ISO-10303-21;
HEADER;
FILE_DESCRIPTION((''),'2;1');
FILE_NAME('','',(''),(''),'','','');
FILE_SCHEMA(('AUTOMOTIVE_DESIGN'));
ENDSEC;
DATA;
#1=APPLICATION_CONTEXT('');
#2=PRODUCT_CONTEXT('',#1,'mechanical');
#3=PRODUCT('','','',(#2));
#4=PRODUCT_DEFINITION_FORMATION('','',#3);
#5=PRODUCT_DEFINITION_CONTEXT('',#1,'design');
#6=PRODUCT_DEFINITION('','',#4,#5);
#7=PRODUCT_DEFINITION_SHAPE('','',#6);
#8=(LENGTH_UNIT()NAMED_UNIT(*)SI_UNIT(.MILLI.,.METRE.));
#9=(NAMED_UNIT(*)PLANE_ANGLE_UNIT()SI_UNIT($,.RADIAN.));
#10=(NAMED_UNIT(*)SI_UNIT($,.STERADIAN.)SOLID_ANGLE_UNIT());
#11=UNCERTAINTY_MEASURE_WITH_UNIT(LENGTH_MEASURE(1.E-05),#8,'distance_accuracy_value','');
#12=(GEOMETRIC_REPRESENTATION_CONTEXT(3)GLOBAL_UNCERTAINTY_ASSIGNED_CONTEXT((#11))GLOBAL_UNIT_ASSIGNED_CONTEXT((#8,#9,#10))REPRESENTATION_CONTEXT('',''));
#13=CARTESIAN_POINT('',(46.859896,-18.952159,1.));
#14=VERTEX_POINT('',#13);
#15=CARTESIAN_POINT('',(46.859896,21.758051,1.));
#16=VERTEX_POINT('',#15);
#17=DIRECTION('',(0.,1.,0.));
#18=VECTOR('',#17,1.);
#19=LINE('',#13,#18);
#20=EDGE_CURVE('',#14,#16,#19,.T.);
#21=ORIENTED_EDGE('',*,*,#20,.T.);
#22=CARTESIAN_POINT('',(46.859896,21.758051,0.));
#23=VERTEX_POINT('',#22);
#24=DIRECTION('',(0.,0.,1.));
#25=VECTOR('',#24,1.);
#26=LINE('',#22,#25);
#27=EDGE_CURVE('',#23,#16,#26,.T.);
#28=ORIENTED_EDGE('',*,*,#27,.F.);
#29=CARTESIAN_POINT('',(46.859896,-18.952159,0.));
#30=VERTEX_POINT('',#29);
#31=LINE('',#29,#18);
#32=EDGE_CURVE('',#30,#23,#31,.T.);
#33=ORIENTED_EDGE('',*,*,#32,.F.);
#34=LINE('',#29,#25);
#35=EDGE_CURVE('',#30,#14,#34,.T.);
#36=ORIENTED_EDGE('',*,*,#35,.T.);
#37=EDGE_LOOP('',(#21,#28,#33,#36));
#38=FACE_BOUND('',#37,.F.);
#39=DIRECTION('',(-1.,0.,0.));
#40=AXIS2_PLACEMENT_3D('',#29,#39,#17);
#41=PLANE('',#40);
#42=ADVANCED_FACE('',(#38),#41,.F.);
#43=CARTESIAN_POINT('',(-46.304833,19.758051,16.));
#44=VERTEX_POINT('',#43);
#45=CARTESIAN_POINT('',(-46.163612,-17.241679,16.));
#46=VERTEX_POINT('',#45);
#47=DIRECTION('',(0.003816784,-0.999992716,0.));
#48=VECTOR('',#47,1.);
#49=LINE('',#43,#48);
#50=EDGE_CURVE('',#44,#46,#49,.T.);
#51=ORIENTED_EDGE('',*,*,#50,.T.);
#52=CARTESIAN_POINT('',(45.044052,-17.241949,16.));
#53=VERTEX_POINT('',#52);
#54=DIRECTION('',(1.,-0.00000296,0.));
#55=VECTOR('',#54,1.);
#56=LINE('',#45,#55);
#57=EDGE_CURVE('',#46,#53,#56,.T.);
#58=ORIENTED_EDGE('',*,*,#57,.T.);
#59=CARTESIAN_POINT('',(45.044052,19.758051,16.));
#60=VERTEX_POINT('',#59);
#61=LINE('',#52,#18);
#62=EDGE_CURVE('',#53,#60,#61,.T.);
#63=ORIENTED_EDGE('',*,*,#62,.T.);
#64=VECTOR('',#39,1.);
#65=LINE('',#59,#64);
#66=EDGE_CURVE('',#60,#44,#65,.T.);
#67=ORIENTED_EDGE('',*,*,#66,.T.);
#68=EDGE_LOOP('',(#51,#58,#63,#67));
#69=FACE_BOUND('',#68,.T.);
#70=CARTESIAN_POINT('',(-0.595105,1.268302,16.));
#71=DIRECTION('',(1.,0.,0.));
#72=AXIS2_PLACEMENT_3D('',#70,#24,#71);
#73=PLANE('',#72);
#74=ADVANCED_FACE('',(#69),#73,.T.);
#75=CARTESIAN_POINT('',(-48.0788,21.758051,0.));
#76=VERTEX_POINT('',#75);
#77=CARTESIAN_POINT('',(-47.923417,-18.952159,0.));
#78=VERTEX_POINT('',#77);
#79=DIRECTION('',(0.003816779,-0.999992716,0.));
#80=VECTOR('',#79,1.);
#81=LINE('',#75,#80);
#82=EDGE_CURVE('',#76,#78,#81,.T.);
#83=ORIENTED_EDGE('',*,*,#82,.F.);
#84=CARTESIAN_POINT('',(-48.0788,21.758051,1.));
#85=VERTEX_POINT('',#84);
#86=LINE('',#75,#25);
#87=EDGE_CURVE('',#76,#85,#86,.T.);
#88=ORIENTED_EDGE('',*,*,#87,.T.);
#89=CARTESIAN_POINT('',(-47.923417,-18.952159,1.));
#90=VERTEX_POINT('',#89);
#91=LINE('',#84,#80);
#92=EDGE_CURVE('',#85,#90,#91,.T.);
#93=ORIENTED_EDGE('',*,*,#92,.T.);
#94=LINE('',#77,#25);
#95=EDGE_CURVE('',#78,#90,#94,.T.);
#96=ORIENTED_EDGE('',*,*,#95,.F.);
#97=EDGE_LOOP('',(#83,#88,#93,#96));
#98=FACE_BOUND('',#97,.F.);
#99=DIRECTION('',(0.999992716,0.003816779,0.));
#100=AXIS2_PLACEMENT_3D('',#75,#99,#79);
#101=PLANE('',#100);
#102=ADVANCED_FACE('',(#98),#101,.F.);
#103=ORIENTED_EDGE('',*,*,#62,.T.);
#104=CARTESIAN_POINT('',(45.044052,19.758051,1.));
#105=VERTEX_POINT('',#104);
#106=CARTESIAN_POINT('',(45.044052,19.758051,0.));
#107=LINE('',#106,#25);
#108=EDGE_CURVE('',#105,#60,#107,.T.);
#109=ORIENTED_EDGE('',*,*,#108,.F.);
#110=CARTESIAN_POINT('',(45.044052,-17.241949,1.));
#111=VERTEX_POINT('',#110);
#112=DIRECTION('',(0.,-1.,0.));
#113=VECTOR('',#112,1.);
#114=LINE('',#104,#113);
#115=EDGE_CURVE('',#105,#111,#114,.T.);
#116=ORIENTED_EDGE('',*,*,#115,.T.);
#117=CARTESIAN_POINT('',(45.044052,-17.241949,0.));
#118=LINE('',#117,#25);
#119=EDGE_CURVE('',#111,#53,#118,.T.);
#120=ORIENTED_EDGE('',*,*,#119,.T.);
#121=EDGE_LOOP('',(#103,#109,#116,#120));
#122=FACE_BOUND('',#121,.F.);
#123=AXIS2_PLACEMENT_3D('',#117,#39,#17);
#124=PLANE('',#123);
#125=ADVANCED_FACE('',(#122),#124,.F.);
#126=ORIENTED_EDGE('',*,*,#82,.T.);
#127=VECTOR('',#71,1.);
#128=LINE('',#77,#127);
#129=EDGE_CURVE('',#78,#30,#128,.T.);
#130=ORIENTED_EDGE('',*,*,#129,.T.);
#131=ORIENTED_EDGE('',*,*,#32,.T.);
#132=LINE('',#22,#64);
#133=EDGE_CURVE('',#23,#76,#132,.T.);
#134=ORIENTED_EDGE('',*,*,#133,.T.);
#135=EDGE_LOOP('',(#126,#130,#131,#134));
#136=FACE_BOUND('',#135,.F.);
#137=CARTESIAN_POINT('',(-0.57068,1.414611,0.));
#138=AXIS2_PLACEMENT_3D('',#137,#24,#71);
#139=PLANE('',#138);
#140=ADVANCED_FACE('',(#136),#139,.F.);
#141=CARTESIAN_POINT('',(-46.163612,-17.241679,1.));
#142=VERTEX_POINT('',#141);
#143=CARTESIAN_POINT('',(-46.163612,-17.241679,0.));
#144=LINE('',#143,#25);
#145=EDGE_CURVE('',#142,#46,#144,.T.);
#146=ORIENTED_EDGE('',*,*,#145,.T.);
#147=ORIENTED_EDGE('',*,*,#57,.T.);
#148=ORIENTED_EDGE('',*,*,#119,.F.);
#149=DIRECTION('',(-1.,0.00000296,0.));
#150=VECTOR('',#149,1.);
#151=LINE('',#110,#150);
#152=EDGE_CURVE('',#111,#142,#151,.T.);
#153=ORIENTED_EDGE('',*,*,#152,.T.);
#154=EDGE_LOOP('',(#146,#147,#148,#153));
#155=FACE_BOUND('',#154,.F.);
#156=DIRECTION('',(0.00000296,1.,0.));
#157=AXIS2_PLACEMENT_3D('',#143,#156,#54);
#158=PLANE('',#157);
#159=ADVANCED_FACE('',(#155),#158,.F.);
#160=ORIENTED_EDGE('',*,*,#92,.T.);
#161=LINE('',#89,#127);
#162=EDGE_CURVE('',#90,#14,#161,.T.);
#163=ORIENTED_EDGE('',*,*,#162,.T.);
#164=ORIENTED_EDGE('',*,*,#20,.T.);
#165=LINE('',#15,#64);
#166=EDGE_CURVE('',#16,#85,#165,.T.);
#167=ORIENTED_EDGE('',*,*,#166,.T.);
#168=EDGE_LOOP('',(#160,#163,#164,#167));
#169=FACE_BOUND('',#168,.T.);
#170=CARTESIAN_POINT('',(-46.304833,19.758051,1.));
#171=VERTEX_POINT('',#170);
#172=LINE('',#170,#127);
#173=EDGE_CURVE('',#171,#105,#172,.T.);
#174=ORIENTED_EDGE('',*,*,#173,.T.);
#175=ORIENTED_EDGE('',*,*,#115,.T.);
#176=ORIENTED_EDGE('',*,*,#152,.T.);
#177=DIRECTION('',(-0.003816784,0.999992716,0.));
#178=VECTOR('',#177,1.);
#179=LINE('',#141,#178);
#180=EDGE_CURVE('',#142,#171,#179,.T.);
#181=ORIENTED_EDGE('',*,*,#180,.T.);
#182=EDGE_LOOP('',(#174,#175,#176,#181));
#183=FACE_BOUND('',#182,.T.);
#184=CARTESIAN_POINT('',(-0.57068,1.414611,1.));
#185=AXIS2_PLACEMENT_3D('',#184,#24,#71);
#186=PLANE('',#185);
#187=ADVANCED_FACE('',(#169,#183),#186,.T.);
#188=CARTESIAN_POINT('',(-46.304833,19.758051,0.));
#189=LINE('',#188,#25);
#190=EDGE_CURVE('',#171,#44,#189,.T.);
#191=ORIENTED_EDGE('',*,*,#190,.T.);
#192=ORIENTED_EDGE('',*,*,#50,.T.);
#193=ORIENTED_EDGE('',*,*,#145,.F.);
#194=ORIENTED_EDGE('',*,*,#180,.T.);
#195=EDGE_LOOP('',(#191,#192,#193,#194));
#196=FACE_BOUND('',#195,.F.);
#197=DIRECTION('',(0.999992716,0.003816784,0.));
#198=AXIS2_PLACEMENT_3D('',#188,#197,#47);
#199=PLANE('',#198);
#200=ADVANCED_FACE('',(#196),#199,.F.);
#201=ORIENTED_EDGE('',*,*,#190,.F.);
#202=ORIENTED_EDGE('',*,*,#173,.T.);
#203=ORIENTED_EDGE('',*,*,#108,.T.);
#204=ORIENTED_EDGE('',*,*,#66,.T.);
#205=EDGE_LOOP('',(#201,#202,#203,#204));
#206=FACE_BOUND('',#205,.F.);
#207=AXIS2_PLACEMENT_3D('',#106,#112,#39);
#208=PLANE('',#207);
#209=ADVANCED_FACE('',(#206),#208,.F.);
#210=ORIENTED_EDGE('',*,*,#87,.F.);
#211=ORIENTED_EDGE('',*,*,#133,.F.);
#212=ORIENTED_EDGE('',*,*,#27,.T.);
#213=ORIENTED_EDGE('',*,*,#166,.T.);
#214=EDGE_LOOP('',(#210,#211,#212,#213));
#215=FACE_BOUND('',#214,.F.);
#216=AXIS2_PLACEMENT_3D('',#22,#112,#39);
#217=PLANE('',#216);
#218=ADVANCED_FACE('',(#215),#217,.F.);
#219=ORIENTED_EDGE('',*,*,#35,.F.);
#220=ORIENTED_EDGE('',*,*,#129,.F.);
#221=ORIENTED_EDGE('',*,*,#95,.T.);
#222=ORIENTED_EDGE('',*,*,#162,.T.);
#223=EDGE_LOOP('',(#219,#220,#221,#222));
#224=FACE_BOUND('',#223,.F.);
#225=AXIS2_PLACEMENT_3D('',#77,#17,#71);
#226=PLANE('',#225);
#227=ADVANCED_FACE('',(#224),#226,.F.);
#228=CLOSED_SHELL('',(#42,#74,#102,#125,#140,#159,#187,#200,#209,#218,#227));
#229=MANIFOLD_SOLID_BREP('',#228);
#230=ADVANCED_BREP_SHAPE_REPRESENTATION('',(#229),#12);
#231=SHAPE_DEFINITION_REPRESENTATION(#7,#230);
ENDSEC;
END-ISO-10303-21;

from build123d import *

# Parameters (mm, degrees)
F1_DEPTH = 16
F2_DEPTH = 1


with BuildPart() as f1:
    # F0 (on Top) → F1 (new body)
    with BuildSketch(Plane.XY):
        Polygon((-46.304833, 19.758051), (-46.163612, -17.241679), (45.044052, -17.241949), (45.044052, 19.758051), align=None)
    extrude(amount=F1_DEPTH)

    # F0 (on Top) → F2 (join)
    with BuildSketch(Plane.XY):
        Polygon((46.859896, 21.758051), (-48.0788, 21.758051), (-47.923417, -18.952159), (46.859896, -18.952159), align=None)
        Polygon((45.044052, -17.241949), (-46.163612, -17.241679), (-46.304833, 19.758051), (45.044052, 19.758051), align=None, mode=Mode.SUBTRACT)
    extrude(amount=F2_DEPTH)


solid = f1.part
